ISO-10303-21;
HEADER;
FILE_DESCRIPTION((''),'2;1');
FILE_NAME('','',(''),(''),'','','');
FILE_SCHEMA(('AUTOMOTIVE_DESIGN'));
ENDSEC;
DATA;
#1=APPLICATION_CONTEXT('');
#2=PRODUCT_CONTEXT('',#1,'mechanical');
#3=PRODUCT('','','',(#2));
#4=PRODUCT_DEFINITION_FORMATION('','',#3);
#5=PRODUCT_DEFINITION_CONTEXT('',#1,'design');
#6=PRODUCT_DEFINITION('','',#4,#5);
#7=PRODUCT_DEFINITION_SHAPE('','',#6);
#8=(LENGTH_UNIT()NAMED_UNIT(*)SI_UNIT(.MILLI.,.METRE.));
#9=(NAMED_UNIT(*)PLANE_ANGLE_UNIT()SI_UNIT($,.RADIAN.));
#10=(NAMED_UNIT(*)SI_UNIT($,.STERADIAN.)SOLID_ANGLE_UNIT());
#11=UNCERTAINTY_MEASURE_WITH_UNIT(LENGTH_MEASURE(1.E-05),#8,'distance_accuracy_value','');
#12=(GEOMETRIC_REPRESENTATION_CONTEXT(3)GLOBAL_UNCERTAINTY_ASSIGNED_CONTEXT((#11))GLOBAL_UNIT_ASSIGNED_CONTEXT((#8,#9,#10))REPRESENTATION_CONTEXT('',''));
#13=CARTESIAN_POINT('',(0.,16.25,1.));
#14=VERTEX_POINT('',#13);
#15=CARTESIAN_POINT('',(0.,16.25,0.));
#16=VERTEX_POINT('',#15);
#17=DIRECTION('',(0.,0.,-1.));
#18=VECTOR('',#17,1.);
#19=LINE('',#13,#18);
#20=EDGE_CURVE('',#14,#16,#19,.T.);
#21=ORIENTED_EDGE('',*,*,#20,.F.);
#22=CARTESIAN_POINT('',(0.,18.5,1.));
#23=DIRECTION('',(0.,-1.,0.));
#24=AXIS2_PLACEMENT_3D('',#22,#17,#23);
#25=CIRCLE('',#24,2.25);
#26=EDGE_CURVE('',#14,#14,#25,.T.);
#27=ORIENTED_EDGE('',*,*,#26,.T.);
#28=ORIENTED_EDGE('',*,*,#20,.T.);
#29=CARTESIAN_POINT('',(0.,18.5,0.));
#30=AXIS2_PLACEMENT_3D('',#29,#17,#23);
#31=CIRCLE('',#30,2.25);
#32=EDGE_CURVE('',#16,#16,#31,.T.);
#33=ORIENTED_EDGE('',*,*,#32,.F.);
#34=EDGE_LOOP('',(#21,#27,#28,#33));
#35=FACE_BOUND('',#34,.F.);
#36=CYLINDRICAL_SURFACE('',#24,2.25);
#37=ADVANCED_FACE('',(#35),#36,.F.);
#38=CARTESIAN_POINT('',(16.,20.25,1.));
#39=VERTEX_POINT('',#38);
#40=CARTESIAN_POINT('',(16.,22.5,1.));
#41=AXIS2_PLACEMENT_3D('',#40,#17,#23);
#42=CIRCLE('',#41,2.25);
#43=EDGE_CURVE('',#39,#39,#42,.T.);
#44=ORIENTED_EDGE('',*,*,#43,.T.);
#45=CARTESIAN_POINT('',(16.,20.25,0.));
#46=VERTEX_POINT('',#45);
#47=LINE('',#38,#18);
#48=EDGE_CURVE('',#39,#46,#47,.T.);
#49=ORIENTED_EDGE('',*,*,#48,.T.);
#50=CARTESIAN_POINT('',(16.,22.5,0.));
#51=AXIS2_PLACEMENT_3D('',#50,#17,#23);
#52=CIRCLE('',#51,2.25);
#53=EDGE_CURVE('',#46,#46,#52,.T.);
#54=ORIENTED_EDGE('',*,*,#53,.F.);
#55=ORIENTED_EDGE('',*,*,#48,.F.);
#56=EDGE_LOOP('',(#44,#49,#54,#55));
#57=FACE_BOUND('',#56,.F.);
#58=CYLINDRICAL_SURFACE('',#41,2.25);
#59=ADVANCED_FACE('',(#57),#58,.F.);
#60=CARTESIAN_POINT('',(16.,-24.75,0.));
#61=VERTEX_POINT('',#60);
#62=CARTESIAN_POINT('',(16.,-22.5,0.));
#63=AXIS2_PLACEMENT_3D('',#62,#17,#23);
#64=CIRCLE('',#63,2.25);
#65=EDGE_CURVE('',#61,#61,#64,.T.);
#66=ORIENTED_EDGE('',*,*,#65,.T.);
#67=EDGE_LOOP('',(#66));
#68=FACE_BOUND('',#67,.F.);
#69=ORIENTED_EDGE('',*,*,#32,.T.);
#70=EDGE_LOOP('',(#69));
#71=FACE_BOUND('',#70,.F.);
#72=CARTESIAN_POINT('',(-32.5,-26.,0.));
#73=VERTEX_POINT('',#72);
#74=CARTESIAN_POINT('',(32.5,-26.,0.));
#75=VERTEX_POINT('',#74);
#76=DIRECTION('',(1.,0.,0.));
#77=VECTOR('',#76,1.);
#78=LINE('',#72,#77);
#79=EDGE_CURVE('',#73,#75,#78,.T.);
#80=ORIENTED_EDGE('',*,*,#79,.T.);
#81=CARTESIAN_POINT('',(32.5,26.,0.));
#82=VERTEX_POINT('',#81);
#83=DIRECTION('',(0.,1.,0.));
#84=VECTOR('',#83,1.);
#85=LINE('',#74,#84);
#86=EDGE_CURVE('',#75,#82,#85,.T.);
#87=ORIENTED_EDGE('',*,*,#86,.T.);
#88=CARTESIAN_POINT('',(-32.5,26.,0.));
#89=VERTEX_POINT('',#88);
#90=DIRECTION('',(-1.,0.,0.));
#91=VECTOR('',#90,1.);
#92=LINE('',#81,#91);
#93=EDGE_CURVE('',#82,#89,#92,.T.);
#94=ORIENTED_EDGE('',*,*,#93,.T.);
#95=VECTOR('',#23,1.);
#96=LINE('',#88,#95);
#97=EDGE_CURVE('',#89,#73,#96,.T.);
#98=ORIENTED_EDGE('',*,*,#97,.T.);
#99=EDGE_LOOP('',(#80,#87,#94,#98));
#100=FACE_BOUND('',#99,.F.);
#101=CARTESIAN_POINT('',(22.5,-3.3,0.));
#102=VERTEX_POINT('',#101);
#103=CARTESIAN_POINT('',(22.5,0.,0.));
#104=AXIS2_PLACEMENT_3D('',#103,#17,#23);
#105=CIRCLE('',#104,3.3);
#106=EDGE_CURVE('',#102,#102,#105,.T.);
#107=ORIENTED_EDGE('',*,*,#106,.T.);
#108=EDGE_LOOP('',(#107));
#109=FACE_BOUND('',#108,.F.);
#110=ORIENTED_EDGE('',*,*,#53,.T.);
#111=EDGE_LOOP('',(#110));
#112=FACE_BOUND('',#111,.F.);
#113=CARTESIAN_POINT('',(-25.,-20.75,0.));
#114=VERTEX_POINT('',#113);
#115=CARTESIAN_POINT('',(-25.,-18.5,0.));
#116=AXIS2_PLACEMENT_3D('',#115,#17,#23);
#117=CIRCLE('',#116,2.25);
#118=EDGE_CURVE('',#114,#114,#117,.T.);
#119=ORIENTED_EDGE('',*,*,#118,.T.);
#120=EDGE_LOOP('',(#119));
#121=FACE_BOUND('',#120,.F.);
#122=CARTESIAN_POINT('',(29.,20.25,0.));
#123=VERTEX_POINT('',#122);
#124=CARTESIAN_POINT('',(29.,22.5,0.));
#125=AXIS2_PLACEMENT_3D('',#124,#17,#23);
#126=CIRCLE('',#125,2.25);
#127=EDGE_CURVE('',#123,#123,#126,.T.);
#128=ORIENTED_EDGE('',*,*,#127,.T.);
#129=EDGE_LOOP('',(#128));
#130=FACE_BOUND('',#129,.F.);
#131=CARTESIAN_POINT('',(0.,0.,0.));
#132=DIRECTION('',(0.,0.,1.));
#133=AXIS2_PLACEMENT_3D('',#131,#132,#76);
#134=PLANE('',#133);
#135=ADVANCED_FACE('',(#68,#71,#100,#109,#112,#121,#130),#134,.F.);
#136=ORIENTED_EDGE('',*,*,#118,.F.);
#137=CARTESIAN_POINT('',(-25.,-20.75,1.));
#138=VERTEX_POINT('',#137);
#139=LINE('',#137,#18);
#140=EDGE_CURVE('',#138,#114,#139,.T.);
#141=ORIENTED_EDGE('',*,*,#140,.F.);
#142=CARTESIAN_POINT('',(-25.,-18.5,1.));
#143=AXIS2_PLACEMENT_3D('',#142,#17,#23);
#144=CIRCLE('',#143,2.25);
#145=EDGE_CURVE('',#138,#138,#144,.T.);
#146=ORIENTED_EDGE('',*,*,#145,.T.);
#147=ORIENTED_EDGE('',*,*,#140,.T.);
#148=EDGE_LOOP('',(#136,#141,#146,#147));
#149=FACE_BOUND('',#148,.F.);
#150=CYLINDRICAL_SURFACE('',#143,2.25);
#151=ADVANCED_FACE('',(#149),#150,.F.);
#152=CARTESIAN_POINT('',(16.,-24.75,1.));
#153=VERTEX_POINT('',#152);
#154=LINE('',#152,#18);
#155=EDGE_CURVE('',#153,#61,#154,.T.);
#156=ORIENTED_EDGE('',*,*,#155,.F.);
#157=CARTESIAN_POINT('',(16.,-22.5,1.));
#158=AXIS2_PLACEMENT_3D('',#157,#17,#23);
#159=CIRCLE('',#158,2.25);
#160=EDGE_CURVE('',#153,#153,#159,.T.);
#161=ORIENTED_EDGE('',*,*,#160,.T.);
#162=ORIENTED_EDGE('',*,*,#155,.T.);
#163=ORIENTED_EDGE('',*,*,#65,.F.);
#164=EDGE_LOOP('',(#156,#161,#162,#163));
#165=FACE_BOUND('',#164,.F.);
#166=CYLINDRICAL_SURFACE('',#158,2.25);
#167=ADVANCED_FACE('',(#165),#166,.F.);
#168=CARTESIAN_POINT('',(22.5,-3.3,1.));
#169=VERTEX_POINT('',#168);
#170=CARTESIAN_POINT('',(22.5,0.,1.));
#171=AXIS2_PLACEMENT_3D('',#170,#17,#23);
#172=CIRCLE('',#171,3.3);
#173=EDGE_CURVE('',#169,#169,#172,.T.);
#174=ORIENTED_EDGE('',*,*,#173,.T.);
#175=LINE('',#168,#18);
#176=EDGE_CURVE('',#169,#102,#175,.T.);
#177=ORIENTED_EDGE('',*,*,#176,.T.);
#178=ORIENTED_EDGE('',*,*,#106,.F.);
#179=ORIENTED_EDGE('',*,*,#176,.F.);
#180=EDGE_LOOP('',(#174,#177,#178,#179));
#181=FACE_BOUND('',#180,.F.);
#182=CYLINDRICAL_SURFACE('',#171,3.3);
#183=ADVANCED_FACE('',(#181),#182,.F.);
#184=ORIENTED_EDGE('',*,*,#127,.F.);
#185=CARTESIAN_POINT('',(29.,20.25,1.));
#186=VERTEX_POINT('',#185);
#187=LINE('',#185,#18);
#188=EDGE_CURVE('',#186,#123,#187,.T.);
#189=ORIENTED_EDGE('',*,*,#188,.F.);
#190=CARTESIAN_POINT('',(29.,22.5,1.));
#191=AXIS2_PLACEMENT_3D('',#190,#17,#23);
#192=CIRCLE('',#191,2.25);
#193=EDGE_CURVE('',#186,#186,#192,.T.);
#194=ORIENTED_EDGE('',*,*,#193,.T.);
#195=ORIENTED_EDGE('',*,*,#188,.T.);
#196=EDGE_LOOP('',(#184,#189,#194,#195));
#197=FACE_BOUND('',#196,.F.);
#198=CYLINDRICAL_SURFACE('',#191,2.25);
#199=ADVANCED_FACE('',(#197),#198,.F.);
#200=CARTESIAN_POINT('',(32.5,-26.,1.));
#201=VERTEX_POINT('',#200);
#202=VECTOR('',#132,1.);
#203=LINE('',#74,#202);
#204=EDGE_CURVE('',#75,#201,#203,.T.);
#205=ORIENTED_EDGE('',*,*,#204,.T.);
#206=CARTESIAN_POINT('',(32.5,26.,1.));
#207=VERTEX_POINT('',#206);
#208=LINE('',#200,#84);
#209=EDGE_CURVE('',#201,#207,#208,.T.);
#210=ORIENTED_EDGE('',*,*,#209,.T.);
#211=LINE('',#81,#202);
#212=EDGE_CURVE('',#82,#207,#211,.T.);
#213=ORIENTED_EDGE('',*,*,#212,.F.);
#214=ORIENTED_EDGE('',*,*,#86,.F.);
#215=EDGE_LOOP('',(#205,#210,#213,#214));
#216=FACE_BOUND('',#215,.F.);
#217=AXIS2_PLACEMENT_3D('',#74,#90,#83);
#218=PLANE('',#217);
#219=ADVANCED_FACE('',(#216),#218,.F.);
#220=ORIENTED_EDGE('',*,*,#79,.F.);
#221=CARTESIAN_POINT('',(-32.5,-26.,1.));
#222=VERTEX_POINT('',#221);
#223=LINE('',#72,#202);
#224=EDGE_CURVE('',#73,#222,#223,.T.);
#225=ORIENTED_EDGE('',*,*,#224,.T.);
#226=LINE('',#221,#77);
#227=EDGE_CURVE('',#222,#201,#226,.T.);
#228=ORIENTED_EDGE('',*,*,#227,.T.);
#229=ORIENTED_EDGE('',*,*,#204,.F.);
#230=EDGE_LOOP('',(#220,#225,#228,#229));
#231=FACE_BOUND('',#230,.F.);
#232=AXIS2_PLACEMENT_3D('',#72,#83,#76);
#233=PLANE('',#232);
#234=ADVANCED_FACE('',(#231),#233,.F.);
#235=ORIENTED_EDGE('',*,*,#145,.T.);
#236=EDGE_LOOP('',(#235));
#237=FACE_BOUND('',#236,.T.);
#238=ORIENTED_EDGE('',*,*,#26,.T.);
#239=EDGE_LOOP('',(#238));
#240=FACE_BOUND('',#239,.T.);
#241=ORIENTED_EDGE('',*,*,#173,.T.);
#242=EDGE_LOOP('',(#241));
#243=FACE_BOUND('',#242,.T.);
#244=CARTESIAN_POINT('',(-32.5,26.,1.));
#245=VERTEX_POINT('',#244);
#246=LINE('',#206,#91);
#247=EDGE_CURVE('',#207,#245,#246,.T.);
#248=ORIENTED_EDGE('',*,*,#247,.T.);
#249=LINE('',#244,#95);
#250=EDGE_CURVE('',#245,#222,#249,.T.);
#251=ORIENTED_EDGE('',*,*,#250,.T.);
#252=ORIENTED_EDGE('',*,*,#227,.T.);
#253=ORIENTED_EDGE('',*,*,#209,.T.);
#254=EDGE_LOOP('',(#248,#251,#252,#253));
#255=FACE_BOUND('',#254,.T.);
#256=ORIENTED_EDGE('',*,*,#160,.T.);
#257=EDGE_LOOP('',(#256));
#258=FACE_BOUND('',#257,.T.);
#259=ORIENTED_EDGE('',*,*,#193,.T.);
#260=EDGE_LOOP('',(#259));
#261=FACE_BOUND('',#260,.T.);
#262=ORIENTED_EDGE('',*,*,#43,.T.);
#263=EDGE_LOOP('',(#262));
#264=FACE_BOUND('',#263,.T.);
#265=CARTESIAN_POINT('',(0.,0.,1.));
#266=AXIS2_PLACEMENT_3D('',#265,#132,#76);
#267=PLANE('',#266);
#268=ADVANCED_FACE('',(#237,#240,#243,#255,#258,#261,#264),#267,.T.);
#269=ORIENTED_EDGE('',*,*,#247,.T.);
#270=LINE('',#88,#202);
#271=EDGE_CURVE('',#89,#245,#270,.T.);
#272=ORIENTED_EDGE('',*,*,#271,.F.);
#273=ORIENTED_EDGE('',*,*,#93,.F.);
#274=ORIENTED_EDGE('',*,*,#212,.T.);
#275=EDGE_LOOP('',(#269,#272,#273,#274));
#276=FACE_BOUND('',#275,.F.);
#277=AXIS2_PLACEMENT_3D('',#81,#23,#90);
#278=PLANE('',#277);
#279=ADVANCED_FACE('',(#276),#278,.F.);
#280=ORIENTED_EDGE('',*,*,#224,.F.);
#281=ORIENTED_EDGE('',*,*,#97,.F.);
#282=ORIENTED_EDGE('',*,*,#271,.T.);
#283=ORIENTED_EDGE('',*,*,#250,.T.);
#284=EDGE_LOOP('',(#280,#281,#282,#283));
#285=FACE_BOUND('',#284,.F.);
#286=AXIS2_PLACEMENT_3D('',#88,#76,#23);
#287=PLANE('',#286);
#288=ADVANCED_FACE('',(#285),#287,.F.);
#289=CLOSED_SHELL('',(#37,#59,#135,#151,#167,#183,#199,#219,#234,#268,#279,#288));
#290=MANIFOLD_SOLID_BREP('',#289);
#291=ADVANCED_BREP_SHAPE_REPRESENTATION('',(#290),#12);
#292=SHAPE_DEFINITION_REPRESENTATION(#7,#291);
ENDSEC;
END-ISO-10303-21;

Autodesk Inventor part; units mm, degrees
ref_plane "YZ Plane" through (0, 0, 0) normal (1, 0, 0) x (0, 1, 0)
ref_plane "XZ Plane" through (0, 0, 0) normal (0, 1, 0) x (-1, 0, 0)
ref_plane "XY Plane" through (0, 0, 0) normal (0, 0, 1) x (1, 0, 0)
sketch "Sketch1" plane through (0, 0, 0) normal (0, 0, 1) x (1, 0, 0)
  line L0 (-32.5, -26) -> (32.5, -26)
  line L1 (32.5, -26) -> (32.5, 26)
  line L2 (32.5, 26) -> (-32.5, 26)
  line L3 (-32.5, 26) -> (-32.5, -26)
  line L4 (-32.5, -26) -> (32.5, 26) construction
  line L5 (32.5, -26) -> (-32.5, 26) construction
  point P0 (0, 0)
  dimension "d0" = 65
  dimension "d1" = 52
extrude "Extrusion1" add sketch "Sketch1" along normal blind 1
sketch "Sketch4" plane through (0, 0, 1) normal (0, 0, 1) x (1, 0, 0)
  line L0 (29, -22.5) -> (16, -22.5) construction
  line L1 (16, -22.5) -> (16, 22.5) construction
  line L2 (16, 22.5) -> (29, 22.5) construction
  line L3 (29, 22.5) -> (29, -22.5) construction
  line L4 (29, -22.5) -> (16, 22.5) construction
  line L5 (16, -22.5) -> (29, 22.5) construction
  line L6 (32.5, -26) -> (32.5, 26) projected
  point P0 (0, 0)
  point P1 (22.5, 0)
  point P2 (22.5, 0)
  dimension "d20" = 13
  dimension "d31" = 3.5
  dimension "d32" = 45
hole "Hole3" at (16, 22.5, 1) at (29, 22.5, 1) at (16, -22.5, 1) direction (0, 0, -1) diameter 4.5 depth 8 tip angle 118 clearance for "Countersunk Flat Head Screw DIN EN ISO 2009" size "M4" standard "DIN"
sketch "Sketch5" plane through (0, 0, 1) normal (0, 0, 1) x (1, 0, 0)
  circle A0 centre (16, 22.5) radius 2.25 projected
  circle A1 centre (16, -22.5) radius 2.25 projected
  point P0 (0, 0)
  point P1 (-25, -18.5)
  point P2 (0, 18.5)
  dimension "d33" = 4
  dimension "d34" = 4
  dimension "d35" = 41
  dimension "d36" = 16
hole "Hole4" at (-25, -18.5, 1) at (0, 18.5, 1) direction (0, 0, -1) diameter 4.5 depth 8 tip angle 118 clearance for "Countersunk Flat Head Screw DIN EN ISO 2009" size "M4" standard "DIN"
sketch "Sketch6" plane through (0, 0, 1) normal (0, 0, 1) x (1, 0, 0)
  line L0 (32.5, -26) -> (32.5, 26) projected
  point P0 (0, 0)
  point P1 (22.5, 0)
  dimension "d44" = 10
hole "Hole5" at (22.5, 0, 1) direction (0, 0, -1) diameter 6.6 depth 8 tip angle 118 clearance for "Countersunk Flat Head Screw DIN EN ISO 2009" size "M6" standard "DIN"
properties part number "CU5" material "Copper"
